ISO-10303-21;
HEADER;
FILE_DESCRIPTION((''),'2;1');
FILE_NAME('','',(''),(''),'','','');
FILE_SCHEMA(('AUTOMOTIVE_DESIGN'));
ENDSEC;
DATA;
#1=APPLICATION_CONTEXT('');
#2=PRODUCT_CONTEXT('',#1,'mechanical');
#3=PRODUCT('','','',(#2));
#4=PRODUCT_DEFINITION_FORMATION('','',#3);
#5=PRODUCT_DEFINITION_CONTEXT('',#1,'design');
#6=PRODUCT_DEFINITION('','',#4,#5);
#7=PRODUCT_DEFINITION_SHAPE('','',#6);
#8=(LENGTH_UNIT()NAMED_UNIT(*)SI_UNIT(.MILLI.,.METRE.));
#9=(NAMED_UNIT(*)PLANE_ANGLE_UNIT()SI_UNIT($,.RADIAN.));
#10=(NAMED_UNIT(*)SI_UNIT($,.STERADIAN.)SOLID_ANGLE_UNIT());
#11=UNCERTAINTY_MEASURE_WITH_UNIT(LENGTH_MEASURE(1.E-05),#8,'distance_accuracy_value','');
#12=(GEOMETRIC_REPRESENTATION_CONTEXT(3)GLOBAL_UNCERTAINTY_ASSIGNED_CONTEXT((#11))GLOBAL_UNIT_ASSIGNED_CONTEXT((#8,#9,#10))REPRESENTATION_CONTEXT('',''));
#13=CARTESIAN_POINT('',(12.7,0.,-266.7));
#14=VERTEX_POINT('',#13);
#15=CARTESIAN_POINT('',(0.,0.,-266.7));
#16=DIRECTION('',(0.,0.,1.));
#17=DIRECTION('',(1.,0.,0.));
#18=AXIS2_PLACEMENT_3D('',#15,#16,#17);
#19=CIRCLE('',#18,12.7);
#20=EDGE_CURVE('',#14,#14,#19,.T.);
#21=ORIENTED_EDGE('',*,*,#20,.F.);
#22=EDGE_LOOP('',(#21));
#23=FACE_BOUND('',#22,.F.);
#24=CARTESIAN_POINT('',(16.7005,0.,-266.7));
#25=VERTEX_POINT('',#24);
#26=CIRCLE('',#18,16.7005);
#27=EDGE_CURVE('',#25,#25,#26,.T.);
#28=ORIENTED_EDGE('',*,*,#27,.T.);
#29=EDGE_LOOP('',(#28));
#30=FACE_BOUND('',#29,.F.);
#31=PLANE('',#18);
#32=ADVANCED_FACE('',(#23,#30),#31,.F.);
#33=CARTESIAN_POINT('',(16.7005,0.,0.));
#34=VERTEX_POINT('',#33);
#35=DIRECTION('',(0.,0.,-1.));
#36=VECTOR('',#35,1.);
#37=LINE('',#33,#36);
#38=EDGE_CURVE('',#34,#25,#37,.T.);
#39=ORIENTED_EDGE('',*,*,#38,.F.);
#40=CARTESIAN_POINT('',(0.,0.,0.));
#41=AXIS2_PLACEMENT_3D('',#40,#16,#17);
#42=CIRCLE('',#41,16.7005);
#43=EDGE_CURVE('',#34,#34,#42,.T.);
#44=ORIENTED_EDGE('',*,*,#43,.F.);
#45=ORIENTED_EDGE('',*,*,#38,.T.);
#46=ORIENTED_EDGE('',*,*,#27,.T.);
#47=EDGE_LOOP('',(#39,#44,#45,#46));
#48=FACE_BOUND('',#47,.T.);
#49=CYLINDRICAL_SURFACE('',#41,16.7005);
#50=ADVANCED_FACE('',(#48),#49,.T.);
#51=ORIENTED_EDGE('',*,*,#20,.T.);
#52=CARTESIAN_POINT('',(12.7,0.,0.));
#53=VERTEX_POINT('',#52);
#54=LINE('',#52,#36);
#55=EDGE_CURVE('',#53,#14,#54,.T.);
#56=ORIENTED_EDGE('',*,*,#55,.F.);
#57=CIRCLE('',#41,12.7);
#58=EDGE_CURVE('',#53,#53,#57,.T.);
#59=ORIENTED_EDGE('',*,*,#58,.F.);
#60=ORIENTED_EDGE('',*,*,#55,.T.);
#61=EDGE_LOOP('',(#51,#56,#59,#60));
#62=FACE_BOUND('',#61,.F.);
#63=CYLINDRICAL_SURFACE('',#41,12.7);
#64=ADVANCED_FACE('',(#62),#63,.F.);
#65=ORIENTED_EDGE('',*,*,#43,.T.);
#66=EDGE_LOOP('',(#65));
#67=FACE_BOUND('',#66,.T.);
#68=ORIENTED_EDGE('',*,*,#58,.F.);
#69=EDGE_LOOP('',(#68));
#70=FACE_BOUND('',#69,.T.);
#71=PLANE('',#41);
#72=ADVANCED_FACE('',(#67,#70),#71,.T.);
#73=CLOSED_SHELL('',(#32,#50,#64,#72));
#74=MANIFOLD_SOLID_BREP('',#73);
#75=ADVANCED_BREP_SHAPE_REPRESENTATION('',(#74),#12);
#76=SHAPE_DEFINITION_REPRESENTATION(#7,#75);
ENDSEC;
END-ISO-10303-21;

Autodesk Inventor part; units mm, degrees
ref_plane "YZ Plane" through (0, 0, 0) normal (1, 0, 0) x (0, 1, 0)
ref_plane "XZ Plane" through (0, 0, 0) normal (0, 1, 0) x (-1, 0, 0)
ref_plane "XY Plane" through (0, 0, 0) normal (0, 0, 1) x (1, 0, 0)
sketch "Sketch1" plane through (0, 0, 0) normal (0, 0, 1) x (1, 0, 0)
  circle A0 centre (0, 0) radius 16.7005
  circle A1 centre (0, 0) radius 12.7
  dimension "d0" = 33.401
  dimension "d1" = 25.4
extrude "Extrusion1" add sketch "Sketch1" against normal blind 266.7
properties part number "Euph Pipe 4"
